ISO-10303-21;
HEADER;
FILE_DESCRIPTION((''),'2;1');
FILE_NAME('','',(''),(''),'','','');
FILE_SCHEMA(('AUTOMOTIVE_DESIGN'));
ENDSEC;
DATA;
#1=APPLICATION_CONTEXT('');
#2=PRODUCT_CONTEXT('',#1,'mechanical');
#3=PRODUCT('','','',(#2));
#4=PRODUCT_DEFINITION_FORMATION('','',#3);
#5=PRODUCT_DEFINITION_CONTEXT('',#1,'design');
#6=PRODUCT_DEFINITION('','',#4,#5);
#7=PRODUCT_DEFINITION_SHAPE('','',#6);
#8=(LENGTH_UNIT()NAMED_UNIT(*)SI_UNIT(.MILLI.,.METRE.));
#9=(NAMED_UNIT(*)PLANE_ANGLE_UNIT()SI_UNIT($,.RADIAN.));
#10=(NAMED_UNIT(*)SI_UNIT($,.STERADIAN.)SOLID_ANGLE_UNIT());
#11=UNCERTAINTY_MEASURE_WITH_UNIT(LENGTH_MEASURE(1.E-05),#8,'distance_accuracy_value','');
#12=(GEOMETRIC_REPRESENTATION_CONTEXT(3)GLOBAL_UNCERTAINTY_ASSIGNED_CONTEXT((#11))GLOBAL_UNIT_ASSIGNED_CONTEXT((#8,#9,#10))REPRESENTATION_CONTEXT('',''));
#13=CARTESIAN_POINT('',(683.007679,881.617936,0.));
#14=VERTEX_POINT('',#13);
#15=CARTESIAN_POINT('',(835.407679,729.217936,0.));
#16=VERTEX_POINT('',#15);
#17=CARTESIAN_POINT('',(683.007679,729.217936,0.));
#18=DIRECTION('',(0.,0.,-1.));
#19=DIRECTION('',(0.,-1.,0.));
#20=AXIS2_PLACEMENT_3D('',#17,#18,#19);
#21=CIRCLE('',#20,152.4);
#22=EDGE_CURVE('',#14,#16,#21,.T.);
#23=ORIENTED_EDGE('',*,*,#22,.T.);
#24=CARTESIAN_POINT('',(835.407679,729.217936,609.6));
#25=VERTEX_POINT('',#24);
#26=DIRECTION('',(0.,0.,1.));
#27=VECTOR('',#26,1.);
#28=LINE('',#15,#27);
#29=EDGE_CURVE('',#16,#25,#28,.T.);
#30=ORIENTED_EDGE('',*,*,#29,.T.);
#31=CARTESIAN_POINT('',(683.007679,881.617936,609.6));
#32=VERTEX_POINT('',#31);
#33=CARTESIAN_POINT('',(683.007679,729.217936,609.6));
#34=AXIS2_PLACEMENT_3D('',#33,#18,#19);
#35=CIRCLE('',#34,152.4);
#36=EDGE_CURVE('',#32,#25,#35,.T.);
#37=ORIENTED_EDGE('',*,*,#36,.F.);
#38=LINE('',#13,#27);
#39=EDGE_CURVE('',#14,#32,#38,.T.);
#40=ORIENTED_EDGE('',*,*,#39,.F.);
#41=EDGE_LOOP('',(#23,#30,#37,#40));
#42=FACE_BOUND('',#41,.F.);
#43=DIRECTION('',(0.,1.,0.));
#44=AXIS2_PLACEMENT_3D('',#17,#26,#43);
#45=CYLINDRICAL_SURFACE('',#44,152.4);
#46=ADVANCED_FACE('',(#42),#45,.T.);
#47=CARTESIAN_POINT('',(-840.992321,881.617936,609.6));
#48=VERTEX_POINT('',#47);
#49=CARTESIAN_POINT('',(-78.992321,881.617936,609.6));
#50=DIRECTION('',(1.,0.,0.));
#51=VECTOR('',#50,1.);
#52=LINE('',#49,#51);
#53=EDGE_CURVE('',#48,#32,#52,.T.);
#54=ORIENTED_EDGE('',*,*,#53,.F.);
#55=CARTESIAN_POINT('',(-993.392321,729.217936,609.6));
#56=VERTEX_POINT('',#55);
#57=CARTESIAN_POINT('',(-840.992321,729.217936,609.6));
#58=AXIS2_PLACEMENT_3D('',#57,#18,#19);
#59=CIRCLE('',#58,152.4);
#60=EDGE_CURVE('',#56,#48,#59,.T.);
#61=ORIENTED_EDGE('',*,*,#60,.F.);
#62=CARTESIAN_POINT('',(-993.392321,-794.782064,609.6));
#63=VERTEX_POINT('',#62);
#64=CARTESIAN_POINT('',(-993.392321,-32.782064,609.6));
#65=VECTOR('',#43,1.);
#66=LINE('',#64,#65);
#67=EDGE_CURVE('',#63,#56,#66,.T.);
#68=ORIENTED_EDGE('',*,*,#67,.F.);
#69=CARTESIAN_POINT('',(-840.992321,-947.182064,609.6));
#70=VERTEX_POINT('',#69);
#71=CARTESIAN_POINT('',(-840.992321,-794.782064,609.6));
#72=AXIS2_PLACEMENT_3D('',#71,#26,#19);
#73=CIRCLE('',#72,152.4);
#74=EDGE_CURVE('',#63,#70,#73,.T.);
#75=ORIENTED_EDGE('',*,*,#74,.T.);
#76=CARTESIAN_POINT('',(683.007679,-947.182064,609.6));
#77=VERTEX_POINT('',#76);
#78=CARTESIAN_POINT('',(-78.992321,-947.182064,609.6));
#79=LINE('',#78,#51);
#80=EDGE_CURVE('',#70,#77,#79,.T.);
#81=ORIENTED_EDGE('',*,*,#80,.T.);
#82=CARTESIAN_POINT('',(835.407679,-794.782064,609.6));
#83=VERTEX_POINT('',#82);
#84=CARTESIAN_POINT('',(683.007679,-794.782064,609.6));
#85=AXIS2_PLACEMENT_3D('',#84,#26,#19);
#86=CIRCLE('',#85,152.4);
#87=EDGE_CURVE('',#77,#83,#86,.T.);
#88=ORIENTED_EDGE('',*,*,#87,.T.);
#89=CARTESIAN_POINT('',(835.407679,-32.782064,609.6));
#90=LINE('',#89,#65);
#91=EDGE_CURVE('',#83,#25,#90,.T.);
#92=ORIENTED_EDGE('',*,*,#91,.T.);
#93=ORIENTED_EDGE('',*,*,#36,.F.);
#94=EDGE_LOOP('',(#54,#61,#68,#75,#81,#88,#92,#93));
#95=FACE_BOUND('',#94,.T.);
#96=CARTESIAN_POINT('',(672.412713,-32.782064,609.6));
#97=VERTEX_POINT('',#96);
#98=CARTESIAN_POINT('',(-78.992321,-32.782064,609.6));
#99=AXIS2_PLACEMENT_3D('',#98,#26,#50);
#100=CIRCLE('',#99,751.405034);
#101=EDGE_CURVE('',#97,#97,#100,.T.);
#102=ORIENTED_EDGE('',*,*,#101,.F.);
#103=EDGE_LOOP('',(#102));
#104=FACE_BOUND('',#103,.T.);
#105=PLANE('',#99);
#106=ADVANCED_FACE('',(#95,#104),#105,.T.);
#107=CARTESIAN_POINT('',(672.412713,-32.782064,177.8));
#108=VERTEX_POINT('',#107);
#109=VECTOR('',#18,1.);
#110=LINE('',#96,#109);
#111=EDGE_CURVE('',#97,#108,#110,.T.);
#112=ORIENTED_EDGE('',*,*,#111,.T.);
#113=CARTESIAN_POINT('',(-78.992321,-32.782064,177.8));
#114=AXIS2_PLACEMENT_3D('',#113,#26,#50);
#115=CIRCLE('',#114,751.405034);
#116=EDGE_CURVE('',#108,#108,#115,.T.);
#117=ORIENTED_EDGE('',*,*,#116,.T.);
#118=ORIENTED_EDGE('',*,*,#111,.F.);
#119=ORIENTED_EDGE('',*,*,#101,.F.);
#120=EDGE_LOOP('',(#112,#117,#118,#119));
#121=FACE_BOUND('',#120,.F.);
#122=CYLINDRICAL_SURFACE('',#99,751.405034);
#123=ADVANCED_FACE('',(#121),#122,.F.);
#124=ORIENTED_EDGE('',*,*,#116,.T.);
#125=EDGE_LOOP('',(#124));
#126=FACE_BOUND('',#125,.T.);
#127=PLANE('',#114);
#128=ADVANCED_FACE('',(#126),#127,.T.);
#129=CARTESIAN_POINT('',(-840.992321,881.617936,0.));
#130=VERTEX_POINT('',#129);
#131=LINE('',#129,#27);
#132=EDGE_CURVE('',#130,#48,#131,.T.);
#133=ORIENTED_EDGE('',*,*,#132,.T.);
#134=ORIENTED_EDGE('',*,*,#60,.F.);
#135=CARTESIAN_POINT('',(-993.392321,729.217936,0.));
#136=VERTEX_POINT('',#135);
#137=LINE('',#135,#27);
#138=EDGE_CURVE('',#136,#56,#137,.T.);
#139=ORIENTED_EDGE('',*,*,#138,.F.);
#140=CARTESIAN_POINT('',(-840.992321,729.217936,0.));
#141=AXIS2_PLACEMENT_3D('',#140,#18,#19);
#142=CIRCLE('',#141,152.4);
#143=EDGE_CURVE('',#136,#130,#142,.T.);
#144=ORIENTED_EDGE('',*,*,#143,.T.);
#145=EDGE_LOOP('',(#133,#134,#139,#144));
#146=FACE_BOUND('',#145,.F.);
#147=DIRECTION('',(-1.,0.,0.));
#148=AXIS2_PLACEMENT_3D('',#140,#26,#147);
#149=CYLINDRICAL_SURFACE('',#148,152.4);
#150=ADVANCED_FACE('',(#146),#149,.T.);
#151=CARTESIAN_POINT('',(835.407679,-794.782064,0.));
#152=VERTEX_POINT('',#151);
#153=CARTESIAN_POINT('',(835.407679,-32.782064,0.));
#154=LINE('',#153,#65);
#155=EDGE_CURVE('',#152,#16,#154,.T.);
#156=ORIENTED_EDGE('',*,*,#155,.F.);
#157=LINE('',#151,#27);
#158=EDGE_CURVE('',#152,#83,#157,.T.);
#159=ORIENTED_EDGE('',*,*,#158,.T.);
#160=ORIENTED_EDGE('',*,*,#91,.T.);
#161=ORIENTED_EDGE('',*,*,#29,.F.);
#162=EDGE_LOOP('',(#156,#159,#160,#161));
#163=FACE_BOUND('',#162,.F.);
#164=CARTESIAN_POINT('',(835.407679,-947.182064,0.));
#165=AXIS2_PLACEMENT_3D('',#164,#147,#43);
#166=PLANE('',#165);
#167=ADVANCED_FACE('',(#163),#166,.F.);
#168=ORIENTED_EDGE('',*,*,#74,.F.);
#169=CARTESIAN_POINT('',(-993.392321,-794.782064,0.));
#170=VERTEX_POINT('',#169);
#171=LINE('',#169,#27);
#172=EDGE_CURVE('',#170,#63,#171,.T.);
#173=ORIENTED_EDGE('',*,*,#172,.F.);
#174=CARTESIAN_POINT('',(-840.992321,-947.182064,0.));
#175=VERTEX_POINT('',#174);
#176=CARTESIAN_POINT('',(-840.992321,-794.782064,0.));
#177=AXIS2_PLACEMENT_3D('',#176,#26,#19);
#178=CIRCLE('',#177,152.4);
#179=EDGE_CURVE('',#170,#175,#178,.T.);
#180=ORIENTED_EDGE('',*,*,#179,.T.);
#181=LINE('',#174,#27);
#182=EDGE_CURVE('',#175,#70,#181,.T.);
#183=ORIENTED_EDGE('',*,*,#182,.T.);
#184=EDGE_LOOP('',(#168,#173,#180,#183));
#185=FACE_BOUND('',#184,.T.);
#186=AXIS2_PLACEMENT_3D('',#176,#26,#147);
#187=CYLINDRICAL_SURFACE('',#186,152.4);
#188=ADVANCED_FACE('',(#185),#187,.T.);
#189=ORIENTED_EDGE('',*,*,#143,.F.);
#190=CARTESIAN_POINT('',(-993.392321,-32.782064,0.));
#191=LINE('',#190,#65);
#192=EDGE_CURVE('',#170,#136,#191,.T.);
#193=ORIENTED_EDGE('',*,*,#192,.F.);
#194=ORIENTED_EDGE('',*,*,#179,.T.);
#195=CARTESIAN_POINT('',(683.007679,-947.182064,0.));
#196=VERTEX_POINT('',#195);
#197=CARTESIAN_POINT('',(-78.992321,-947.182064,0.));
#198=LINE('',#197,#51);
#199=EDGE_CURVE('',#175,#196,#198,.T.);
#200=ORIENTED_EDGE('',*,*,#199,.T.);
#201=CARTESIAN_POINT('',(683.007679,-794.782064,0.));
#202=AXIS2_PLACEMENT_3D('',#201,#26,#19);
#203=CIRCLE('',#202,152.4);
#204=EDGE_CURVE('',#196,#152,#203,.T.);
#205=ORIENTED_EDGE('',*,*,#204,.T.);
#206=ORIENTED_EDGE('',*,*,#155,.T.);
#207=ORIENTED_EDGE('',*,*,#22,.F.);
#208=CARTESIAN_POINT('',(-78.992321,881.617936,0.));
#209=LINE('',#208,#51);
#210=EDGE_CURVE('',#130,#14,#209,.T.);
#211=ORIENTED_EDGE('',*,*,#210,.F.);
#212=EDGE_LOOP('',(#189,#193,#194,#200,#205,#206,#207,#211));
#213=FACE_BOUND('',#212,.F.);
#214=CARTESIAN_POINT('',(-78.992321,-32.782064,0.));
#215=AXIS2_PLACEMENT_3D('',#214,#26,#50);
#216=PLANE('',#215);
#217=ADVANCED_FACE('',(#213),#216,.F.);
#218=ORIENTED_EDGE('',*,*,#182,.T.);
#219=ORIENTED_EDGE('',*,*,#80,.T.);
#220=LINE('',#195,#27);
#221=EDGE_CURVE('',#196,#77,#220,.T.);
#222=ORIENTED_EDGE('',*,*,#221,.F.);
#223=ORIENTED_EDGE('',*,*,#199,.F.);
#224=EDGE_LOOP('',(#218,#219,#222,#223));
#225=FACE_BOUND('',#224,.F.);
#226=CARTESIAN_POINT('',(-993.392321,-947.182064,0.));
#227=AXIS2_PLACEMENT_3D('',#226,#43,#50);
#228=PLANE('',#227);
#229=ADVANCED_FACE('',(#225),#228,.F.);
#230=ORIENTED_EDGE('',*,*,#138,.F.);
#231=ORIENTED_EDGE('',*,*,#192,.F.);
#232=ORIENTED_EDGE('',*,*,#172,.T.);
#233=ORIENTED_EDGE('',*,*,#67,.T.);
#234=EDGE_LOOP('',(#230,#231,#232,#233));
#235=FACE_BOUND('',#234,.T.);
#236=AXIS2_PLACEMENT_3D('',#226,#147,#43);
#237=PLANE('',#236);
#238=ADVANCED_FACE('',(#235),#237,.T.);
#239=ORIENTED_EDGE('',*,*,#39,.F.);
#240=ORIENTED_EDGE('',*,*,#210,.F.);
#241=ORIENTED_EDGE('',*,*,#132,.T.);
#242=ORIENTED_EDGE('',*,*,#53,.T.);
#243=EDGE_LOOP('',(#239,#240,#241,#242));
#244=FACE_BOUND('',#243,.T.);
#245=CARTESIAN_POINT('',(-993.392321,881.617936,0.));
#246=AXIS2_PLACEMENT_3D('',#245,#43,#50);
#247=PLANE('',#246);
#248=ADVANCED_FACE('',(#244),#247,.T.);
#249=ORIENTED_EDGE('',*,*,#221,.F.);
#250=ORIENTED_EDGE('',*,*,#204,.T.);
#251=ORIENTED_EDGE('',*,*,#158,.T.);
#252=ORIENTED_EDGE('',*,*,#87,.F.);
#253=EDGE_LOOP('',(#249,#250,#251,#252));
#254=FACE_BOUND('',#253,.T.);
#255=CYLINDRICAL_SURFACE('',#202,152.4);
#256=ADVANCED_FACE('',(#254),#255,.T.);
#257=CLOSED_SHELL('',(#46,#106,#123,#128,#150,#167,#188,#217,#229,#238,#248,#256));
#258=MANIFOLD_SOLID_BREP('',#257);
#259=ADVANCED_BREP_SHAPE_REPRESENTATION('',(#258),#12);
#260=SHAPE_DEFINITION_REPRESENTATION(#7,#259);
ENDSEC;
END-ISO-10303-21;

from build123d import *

# Parameters (mm, degrees)
F0_W     = 1828.8
F0_H     = 1828.8
F1_DEPTH = 609.6
F2_R     = 751.405034
F3_DEPTH = 431.8
F4_R     = 152.4


with BuildPart() as f1:
    # F0 (on Top) → F1 (new body)
    with BuildSketch(Plane.XY):
        with Locations((-78.992321, -32.782064)):
            Rectangle(F0_W, F0_H)
    extrude(amount=F1_DEPTH)

    # F2 (on face) → F3 (cut)
    with BuildSketch(Plane.XY.offset(609.6)):
        with Locations((-78.992321, -32.782064)):
            Circle(F2_R)
    extrude(amount=-F3_DEPTH, mode=Mode.SUBTRACT)

    # F4
    f4_edges = [f1.edges().sort_by_distance(p)[0] for p in [
        (-993.392321, -947.182064, 304.8),
        (835.407679, -947.182064, 304.8),
        (835.407679, 881.617936, 304.8),
        (-993.392321, 881.617936, 304.8),
    ]]
    fillet(f4_edges, radius=F4_R)


solid = f1.part
